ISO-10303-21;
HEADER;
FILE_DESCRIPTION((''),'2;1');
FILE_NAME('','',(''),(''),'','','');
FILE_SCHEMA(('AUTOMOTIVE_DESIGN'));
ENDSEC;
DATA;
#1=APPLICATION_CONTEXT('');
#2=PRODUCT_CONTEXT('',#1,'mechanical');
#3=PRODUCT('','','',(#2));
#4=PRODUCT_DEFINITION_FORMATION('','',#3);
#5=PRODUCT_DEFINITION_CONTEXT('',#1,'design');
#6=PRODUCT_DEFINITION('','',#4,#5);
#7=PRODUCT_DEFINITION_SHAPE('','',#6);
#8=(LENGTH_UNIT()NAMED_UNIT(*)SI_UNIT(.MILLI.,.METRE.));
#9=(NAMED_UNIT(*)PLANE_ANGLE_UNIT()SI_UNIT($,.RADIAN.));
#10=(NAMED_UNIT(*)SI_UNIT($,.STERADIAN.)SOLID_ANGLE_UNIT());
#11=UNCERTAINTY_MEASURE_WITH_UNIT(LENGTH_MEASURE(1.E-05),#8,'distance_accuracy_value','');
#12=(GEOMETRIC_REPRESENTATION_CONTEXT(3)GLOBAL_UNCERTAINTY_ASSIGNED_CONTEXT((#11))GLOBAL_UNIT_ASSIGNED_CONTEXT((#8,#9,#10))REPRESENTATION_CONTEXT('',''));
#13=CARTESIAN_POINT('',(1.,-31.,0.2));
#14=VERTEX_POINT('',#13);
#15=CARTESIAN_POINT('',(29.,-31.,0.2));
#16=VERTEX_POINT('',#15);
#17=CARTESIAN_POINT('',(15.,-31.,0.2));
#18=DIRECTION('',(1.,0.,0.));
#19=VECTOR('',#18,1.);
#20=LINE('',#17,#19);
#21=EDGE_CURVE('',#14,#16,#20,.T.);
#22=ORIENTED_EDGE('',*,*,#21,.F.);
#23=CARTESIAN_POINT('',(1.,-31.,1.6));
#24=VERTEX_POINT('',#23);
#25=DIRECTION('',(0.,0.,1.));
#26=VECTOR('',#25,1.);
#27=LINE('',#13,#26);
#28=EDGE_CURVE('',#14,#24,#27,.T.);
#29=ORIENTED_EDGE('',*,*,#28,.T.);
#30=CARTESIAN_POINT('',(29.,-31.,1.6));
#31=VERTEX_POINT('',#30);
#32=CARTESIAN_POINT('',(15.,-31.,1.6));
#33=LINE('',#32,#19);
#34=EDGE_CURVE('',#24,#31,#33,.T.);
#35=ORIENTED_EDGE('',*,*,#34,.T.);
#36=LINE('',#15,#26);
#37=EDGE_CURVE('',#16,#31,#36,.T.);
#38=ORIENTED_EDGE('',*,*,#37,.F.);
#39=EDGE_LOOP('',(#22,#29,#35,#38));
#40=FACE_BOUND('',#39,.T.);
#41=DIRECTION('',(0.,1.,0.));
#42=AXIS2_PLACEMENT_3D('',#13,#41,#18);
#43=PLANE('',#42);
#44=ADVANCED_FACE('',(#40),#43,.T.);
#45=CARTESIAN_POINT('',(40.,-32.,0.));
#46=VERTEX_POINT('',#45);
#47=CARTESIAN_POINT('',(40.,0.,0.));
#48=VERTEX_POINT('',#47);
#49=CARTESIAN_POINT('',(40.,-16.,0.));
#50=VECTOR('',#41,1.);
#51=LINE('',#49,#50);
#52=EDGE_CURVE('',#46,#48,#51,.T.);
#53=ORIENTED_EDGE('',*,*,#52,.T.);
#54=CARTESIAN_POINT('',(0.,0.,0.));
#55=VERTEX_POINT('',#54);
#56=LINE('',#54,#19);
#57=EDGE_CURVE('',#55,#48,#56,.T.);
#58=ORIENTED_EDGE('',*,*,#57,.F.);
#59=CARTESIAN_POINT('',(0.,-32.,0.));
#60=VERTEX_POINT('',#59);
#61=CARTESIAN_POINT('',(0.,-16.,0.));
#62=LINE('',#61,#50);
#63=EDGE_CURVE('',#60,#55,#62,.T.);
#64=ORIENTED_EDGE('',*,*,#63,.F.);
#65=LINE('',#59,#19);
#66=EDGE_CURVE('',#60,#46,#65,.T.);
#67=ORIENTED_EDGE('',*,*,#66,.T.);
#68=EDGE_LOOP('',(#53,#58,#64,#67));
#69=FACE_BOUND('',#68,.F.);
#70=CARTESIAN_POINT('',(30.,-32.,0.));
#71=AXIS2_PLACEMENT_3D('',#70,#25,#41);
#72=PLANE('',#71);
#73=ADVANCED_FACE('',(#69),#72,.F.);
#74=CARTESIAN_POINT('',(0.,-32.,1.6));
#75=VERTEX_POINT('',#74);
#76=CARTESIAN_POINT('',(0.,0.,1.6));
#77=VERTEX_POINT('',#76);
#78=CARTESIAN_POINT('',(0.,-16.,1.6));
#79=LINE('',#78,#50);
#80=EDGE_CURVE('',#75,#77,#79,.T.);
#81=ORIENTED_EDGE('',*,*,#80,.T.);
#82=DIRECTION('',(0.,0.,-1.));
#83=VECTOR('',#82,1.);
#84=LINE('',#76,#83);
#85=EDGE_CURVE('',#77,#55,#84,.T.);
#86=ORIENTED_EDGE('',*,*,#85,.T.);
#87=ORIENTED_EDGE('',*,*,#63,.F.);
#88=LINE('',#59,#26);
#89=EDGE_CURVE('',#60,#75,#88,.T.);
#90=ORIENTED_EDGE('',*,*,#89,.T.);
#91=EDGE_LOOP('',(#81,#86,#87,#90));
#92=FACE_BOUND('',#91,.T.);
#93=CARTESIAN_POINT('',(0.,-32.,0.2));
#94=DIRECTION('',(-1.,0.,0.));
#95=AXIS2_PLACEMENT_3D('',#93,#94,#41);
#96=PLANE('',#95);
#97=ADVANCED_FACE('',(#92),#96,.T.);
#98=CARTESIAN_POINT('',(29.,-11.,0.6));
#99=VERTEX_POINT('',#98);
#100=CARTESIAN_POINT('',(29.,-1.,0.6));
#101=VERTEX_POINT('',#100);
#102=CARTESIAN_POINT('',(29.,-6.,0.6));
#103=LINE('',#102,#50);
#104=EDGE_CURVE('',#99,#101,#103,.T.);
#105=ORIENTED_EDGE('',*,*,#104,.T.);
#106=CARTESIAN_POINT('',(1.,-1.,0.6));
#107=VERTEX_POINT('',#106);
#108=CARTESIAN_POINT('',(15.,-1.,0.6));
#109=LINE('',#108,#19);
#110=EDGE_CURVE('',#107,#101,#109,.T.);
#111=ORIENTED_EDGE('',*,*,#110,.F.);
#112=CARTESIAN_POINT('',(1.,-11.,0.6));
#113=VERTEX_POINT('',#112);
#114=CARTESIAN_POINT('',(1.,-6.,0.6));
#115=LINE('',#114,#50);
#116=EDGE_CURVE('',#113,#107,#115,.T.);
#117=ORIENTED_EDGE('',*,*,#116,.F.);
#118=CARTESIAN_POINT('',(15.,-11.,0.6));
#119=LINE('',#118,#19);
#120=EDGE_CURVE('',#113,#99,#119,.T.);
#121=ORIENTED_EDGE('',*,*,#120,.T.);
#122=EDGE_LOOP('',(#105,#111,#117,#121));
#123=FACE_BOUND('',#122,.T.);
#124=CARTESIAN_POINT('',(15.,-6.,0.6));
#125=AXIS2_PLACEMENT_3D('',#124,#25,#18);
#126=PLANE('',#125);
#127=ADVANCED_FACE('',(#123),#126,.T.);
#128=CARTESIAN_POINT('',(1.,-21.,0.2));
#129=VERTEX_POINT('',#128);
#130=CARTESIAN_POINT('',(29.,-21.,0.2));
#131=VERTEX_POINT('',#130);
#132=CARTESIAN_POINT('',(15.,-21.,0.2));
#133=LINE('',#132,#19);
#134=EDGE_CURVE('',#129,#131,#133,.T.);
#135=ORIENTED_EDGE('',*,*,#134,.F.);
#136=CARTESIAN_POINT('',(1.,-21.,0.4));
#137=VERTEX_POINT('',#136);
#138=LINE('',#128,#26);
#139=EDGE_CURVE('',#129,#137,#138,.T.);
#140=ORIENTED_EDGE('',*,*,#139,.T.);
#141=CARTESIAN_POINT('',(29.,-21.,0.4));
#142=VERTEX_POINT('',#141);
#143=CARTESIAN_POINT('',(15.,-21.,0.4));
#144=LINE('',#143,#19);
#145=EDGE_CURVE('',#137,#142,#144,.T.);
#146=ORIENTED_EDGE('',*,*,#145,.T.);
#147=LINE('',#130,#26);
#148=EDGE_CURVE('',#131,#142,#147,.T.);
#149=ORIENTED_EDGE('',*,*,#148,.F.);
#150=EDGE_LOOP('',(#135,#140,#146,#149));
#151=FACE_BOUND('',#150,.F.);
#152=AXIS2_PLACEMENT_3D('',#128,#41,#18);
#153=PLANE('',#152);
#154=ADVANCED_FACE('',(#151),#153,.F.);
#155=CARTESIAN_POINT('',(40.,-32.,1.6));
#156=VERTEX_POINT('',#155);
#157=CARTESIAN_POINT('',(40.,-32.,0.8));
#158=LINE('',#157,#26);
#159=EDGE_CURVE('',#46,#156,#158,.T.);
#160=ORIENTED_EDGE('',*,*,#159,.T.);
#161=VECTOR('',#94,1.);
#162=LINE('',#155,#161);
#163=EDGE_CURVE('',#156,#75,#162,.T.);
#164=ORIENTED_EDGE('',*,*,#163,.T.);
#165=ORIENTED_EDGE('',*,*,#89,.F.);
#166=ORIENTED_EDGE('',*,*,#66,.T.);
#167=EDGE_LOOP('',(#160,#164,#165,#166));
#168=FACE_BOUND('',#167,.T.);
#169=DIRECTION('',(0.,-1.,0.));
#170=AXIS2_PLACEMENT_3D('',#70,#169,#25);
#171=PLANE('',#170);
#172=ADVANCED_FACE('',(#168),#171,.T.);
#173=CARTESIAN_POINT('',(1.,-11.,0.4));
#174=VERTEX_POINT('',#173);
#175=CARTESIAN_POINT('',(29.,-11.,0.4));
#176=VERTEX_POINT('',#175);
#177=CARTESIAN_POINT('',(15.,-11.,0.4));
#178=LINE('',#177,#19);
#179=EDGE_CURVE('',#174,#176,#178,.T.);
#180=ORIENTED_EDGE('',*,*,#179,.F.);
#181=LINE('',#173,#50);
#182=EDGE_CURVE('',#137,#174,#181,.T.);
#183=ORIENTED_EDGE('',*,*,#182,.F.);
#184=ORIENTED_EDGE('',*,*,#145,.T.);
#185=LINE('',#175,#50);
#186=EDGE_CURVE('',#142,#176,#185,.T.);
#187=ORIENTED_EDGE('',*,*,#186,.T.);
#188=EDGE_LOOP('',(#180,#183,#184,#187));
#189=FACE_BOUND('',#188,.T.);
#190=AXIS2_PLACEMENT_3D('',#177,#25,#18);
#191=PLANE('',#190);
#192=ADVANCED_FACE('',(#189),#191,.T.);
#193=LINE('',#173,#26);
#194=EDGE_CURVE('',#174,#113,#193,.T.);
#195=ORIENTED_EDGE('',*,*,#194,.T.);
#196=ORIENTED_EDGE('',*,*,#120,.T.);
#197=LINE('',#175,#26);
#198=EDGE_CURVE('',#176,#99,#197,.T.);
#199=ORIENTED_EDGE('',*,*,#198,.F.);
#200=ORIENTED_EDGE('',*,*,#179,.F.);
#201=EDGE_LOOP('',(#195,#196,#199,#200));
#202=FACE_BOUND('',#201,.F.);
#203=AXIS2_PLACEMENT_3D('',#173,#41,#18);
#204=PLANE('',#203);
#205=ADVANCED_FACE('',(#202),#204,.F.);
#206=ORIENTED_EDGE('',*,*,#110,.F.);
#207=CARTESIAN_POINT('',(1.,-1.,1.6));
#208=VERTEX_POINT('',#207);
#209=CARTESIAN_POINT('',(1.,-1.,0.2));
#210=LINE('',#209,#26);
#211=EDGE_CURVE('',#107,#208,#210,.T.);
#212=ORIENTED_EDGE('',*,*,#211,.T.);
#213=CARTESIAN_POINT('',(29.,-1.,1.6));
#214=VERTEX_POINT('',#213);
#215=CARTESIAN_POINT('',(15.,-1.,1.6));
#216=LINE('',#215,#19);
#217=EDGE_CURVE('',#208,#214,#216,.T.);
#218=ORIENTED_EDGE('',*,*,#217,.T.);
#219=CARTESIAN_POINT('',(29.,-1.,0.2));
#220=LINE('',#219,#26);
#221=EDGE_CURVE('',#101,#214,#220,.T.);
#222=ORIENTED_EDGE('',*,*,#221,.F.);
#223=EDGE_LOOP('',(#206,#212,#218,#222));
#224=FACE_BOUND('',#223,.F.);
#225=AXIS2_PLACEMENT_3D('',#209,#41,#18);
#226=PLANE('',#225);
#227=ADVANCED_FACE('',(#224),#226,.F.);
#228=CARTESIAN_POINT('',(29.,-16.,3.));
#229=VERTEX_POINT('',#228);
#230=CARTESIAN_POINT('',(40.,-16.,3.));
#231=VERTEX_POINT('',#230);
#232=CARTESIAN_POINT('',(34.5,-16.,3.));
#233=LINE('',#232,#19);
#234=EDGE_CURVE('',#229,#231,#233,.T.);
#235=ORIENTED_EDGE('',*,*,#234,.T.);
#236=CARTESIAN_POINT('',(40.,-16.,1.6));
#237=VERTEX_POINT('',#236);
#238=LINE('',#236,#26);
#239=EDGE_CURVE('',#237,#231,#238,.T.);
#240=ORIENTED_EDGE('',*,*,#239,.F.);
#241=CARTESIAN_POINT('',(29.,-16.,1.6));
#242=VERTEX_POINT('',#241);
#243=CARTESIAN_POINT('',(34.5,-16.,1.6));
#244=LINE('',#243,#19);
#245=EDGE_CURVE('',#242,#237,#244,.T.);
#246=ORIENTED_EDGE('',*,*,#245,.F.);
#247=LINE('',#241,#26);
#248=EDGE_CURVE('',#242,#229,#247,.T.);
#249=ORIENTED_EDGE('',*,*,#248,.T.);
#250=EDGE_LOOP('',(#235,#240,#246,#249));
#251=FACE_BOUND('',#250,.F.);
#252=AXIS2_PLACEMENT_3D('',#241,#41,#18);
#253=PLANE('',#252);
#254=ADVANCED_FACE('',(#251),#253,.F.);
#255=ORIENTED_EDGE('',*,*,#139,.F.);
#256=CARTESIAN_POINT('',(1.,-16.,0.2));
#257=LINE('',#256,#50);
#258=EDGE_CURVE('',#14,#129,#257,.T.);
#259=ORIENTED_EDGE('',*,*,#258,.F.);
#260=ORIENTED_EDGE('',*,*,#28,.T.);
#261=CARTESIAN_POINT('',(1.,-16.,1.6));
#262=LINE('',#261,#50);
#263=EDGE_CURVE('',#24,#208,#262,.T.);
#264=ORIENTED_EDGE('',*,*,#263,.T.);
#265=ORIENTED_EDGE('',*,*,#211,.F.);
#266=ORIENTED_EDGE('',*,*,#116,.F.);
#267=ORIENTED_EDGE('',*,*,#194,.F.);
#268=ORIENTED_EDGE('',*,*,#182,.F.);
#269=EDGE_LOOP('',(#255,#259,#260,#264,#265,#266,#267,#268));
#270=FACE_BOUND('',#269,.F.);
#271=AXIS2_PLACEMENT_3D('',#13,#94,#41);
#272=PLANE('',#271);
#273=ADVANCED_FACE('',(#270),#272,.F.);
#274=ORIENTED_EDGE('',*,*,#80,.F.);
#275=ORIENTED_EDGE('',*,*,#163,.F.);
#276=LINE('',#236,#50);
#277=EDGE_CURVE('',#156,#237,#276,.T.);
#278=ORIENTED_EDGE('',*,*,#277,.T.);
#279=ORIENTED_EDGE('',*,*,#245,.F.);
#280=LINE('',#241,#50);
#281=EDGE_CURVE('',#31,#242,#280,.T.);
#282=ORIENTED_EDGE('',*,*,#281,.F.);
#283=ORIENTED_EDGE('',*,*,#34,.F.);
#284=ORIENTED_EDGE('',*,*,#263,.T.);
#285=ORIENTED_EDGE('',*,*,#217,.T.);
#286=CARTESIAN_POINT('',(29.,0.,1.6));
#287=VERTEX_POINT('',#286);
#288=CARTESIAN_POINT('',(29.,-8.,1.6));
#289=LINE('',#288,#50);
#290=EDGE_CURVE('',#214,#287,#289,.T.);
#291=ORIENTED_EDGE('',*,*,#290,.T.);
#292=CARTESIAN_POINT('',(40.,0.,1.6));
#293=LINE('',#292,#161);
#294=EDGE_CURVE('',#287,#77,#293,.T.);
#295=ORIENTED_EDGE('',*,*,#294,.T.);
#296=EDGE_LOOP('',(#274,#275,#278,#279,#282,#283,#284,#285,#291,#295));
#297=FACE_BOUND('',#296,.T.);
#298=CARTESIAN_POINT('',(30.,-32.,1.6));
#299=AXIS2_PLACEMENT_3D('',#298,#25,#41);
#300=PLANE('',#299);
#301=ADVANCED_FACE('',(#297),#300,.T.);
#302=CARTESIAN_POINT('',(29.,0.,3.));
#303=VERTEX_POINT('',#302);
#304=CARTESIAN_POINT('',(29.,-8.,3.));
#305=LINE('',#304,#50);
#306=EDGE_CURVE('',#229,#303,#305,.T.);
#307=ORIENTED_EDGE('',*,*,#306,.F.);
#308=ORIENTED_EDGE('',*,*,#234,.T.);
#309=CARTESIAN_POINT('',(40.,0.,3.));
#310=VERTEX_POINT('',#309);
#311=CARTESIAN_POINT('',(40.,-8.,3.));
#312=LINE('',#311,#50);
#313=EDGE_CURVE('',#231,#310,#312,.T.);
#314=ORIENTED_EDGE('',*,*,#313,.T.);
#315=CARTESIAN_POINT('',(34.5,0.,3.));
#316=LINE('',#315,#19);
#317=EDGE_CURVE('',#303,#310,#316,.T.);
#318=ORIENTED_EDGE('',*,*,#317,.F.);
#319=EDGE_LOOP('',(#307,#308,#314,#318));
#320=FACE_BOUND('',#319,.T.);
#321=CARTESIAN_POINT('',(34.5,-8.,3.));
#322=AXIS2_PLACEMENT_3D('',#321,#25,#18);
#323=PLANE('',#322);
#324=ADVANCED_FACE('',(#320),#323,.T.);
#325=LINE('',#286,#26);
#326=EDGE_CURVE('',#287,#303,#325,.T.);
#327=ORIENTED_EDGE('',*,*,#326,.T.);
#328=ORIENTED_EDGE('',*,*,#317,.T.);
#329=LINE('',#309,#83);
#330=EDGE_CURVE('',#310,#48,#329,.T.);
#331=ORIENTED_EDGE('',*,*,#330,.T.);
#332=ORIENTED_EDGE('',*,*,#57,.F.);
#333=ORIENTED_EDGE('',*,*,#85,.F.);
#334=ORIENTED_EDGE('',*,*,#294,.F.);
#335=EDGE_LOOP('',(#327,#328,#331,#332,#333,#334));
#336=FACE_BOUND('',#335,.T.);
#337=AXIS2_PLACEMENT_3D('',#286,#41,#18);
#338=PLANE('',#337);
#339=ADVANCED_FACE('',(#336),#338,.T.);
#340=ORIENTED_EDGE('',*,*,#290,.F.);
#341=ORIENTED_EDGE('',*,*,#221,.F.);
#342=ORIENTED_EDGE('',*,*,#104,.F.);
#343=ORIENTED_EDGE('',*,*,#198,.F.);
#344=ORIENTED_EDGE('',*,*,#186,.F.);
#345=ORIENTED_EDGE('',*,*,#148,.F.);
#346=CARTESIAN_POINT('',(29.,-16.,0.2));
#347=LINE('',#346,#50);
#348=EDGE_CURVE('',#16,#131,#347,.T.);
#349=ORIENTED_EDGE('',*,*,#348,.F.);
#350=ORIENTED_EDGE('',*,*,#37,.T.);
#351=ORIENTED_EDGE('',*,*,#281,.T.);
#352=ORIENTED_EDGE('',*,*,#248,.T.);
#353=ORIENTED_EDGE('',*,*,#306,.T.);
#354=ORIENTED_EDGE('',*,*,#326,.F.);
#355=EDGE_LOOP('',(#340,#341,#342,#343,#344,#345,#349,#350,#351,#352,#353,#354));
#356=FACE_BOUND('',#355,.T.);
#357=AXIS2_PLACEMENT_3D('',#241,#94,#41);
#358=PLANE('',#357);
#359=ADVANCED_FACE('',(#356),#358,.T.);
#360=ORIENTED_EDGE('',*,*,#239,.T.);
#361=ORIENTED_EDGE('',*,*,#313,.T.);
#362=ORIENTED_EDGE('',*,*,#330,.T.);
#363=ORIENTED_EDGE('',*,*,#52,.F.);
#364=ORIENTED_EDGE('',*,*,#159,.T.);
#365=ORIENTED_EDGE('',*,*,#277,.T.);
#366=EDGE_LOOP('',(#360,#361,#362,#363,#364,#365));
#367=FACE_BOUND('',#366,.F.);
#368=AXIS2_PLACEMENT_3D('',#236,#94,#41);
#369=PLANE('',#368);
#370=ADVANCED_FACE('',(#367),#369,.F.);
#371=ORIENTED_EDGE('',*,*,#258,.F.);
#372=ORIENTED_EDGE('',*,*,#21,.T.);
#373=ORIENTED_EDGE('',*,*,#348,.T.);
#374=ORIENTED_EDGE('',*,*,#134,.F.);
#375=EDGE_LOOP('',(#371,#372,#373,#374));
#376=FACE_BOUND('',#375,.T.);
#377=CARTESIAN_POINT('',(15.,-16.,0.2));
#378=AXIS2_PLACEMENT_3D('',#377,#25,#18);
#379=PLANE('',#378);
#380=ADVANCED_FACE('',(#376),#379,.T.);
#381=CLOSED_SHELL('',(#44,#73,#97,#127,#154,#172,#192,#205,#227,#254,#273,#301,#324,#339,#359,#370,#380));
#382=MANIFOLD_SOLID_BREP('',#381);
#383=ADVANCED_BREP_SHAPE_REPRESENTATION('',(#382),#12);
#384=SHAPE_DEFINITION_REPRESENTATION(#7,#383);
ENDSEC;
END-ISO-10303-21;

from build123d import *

# Parameters (mm, degrees)
F0_W      = 30
F0_H      = 32
F1_DEPTH  = 0.2
F2_W      = 30
F2_H      = 32
F2_W_2    = 28
F2_H_2    = 30
F3_DEPTH  = 1.4
F4_W      = 28
F4_H      = 20
F5_DEPTH  = 0.2
F6_W      = 28
F6_H      = 10
F7_DEPTH  = 0.2
F3_FACE_W = 32
F3_FACE_H = 1.6
F8_DEPTH  = 10
F9_W      = 11
F9_H      = 16
F10_DEPTH = 1.4


with BuildPart() as f1:
    # F0 (on Top) → F1 (new body)
    with BuildSketch(Plane.XY):
        with Locations((15, -16)):
            Rectangle(F0_W, F0_H)
    extrude(amount=F1_DEPTH)

    # F2 (on face) → F3 (join)
    with BuildSketch(Plane.XY.offset(0.2)):
        with Locations((15, -16)):
            Rectangle(F2_W, F2_H)
        with Locations((15, -16)):
            Rectangle(F2_W_2, F2_H_2, mode=Mode.SUBTRACT)
    extrude(amount=F3_DEPTH)

    # F4 (on face) → F5 (join)
    with BuildSketch(Plane.XY.offset(0.2)):
        with Locations((15, -11)):
            Rectangle(F4_W, F4_H)
    extrude(amount=F5_DEPTH)

    # F6 (on face) → F7 (join)
    with BuildSketch(Plane.XY.offset(0.4)):
        with Locations((15, -6)):
            Rectangle(F6_W, F6_H)
    extrude(amount=F7_DEPTH)

    # F3_face (on face) → F8 (join)
    with BuildSketch(Plane(origin=(30, -16, 0.8), x_dir=(0, 1, 0), z_dir=(1, 0, 0))):
        Rectangle(F3_FACE_W, F3_FACE_H)
    extrude(amount=F8_DEPTH)

    # F9 (on face) → F10 (join)
    with BuildSketch(Plane.XY.offset(1.6)):
        with Locations((34.5, -8)):
            Rectangle(F9_W, F9_H)
    extrude(amount=F10_DEPTH)


solid = f1.part
